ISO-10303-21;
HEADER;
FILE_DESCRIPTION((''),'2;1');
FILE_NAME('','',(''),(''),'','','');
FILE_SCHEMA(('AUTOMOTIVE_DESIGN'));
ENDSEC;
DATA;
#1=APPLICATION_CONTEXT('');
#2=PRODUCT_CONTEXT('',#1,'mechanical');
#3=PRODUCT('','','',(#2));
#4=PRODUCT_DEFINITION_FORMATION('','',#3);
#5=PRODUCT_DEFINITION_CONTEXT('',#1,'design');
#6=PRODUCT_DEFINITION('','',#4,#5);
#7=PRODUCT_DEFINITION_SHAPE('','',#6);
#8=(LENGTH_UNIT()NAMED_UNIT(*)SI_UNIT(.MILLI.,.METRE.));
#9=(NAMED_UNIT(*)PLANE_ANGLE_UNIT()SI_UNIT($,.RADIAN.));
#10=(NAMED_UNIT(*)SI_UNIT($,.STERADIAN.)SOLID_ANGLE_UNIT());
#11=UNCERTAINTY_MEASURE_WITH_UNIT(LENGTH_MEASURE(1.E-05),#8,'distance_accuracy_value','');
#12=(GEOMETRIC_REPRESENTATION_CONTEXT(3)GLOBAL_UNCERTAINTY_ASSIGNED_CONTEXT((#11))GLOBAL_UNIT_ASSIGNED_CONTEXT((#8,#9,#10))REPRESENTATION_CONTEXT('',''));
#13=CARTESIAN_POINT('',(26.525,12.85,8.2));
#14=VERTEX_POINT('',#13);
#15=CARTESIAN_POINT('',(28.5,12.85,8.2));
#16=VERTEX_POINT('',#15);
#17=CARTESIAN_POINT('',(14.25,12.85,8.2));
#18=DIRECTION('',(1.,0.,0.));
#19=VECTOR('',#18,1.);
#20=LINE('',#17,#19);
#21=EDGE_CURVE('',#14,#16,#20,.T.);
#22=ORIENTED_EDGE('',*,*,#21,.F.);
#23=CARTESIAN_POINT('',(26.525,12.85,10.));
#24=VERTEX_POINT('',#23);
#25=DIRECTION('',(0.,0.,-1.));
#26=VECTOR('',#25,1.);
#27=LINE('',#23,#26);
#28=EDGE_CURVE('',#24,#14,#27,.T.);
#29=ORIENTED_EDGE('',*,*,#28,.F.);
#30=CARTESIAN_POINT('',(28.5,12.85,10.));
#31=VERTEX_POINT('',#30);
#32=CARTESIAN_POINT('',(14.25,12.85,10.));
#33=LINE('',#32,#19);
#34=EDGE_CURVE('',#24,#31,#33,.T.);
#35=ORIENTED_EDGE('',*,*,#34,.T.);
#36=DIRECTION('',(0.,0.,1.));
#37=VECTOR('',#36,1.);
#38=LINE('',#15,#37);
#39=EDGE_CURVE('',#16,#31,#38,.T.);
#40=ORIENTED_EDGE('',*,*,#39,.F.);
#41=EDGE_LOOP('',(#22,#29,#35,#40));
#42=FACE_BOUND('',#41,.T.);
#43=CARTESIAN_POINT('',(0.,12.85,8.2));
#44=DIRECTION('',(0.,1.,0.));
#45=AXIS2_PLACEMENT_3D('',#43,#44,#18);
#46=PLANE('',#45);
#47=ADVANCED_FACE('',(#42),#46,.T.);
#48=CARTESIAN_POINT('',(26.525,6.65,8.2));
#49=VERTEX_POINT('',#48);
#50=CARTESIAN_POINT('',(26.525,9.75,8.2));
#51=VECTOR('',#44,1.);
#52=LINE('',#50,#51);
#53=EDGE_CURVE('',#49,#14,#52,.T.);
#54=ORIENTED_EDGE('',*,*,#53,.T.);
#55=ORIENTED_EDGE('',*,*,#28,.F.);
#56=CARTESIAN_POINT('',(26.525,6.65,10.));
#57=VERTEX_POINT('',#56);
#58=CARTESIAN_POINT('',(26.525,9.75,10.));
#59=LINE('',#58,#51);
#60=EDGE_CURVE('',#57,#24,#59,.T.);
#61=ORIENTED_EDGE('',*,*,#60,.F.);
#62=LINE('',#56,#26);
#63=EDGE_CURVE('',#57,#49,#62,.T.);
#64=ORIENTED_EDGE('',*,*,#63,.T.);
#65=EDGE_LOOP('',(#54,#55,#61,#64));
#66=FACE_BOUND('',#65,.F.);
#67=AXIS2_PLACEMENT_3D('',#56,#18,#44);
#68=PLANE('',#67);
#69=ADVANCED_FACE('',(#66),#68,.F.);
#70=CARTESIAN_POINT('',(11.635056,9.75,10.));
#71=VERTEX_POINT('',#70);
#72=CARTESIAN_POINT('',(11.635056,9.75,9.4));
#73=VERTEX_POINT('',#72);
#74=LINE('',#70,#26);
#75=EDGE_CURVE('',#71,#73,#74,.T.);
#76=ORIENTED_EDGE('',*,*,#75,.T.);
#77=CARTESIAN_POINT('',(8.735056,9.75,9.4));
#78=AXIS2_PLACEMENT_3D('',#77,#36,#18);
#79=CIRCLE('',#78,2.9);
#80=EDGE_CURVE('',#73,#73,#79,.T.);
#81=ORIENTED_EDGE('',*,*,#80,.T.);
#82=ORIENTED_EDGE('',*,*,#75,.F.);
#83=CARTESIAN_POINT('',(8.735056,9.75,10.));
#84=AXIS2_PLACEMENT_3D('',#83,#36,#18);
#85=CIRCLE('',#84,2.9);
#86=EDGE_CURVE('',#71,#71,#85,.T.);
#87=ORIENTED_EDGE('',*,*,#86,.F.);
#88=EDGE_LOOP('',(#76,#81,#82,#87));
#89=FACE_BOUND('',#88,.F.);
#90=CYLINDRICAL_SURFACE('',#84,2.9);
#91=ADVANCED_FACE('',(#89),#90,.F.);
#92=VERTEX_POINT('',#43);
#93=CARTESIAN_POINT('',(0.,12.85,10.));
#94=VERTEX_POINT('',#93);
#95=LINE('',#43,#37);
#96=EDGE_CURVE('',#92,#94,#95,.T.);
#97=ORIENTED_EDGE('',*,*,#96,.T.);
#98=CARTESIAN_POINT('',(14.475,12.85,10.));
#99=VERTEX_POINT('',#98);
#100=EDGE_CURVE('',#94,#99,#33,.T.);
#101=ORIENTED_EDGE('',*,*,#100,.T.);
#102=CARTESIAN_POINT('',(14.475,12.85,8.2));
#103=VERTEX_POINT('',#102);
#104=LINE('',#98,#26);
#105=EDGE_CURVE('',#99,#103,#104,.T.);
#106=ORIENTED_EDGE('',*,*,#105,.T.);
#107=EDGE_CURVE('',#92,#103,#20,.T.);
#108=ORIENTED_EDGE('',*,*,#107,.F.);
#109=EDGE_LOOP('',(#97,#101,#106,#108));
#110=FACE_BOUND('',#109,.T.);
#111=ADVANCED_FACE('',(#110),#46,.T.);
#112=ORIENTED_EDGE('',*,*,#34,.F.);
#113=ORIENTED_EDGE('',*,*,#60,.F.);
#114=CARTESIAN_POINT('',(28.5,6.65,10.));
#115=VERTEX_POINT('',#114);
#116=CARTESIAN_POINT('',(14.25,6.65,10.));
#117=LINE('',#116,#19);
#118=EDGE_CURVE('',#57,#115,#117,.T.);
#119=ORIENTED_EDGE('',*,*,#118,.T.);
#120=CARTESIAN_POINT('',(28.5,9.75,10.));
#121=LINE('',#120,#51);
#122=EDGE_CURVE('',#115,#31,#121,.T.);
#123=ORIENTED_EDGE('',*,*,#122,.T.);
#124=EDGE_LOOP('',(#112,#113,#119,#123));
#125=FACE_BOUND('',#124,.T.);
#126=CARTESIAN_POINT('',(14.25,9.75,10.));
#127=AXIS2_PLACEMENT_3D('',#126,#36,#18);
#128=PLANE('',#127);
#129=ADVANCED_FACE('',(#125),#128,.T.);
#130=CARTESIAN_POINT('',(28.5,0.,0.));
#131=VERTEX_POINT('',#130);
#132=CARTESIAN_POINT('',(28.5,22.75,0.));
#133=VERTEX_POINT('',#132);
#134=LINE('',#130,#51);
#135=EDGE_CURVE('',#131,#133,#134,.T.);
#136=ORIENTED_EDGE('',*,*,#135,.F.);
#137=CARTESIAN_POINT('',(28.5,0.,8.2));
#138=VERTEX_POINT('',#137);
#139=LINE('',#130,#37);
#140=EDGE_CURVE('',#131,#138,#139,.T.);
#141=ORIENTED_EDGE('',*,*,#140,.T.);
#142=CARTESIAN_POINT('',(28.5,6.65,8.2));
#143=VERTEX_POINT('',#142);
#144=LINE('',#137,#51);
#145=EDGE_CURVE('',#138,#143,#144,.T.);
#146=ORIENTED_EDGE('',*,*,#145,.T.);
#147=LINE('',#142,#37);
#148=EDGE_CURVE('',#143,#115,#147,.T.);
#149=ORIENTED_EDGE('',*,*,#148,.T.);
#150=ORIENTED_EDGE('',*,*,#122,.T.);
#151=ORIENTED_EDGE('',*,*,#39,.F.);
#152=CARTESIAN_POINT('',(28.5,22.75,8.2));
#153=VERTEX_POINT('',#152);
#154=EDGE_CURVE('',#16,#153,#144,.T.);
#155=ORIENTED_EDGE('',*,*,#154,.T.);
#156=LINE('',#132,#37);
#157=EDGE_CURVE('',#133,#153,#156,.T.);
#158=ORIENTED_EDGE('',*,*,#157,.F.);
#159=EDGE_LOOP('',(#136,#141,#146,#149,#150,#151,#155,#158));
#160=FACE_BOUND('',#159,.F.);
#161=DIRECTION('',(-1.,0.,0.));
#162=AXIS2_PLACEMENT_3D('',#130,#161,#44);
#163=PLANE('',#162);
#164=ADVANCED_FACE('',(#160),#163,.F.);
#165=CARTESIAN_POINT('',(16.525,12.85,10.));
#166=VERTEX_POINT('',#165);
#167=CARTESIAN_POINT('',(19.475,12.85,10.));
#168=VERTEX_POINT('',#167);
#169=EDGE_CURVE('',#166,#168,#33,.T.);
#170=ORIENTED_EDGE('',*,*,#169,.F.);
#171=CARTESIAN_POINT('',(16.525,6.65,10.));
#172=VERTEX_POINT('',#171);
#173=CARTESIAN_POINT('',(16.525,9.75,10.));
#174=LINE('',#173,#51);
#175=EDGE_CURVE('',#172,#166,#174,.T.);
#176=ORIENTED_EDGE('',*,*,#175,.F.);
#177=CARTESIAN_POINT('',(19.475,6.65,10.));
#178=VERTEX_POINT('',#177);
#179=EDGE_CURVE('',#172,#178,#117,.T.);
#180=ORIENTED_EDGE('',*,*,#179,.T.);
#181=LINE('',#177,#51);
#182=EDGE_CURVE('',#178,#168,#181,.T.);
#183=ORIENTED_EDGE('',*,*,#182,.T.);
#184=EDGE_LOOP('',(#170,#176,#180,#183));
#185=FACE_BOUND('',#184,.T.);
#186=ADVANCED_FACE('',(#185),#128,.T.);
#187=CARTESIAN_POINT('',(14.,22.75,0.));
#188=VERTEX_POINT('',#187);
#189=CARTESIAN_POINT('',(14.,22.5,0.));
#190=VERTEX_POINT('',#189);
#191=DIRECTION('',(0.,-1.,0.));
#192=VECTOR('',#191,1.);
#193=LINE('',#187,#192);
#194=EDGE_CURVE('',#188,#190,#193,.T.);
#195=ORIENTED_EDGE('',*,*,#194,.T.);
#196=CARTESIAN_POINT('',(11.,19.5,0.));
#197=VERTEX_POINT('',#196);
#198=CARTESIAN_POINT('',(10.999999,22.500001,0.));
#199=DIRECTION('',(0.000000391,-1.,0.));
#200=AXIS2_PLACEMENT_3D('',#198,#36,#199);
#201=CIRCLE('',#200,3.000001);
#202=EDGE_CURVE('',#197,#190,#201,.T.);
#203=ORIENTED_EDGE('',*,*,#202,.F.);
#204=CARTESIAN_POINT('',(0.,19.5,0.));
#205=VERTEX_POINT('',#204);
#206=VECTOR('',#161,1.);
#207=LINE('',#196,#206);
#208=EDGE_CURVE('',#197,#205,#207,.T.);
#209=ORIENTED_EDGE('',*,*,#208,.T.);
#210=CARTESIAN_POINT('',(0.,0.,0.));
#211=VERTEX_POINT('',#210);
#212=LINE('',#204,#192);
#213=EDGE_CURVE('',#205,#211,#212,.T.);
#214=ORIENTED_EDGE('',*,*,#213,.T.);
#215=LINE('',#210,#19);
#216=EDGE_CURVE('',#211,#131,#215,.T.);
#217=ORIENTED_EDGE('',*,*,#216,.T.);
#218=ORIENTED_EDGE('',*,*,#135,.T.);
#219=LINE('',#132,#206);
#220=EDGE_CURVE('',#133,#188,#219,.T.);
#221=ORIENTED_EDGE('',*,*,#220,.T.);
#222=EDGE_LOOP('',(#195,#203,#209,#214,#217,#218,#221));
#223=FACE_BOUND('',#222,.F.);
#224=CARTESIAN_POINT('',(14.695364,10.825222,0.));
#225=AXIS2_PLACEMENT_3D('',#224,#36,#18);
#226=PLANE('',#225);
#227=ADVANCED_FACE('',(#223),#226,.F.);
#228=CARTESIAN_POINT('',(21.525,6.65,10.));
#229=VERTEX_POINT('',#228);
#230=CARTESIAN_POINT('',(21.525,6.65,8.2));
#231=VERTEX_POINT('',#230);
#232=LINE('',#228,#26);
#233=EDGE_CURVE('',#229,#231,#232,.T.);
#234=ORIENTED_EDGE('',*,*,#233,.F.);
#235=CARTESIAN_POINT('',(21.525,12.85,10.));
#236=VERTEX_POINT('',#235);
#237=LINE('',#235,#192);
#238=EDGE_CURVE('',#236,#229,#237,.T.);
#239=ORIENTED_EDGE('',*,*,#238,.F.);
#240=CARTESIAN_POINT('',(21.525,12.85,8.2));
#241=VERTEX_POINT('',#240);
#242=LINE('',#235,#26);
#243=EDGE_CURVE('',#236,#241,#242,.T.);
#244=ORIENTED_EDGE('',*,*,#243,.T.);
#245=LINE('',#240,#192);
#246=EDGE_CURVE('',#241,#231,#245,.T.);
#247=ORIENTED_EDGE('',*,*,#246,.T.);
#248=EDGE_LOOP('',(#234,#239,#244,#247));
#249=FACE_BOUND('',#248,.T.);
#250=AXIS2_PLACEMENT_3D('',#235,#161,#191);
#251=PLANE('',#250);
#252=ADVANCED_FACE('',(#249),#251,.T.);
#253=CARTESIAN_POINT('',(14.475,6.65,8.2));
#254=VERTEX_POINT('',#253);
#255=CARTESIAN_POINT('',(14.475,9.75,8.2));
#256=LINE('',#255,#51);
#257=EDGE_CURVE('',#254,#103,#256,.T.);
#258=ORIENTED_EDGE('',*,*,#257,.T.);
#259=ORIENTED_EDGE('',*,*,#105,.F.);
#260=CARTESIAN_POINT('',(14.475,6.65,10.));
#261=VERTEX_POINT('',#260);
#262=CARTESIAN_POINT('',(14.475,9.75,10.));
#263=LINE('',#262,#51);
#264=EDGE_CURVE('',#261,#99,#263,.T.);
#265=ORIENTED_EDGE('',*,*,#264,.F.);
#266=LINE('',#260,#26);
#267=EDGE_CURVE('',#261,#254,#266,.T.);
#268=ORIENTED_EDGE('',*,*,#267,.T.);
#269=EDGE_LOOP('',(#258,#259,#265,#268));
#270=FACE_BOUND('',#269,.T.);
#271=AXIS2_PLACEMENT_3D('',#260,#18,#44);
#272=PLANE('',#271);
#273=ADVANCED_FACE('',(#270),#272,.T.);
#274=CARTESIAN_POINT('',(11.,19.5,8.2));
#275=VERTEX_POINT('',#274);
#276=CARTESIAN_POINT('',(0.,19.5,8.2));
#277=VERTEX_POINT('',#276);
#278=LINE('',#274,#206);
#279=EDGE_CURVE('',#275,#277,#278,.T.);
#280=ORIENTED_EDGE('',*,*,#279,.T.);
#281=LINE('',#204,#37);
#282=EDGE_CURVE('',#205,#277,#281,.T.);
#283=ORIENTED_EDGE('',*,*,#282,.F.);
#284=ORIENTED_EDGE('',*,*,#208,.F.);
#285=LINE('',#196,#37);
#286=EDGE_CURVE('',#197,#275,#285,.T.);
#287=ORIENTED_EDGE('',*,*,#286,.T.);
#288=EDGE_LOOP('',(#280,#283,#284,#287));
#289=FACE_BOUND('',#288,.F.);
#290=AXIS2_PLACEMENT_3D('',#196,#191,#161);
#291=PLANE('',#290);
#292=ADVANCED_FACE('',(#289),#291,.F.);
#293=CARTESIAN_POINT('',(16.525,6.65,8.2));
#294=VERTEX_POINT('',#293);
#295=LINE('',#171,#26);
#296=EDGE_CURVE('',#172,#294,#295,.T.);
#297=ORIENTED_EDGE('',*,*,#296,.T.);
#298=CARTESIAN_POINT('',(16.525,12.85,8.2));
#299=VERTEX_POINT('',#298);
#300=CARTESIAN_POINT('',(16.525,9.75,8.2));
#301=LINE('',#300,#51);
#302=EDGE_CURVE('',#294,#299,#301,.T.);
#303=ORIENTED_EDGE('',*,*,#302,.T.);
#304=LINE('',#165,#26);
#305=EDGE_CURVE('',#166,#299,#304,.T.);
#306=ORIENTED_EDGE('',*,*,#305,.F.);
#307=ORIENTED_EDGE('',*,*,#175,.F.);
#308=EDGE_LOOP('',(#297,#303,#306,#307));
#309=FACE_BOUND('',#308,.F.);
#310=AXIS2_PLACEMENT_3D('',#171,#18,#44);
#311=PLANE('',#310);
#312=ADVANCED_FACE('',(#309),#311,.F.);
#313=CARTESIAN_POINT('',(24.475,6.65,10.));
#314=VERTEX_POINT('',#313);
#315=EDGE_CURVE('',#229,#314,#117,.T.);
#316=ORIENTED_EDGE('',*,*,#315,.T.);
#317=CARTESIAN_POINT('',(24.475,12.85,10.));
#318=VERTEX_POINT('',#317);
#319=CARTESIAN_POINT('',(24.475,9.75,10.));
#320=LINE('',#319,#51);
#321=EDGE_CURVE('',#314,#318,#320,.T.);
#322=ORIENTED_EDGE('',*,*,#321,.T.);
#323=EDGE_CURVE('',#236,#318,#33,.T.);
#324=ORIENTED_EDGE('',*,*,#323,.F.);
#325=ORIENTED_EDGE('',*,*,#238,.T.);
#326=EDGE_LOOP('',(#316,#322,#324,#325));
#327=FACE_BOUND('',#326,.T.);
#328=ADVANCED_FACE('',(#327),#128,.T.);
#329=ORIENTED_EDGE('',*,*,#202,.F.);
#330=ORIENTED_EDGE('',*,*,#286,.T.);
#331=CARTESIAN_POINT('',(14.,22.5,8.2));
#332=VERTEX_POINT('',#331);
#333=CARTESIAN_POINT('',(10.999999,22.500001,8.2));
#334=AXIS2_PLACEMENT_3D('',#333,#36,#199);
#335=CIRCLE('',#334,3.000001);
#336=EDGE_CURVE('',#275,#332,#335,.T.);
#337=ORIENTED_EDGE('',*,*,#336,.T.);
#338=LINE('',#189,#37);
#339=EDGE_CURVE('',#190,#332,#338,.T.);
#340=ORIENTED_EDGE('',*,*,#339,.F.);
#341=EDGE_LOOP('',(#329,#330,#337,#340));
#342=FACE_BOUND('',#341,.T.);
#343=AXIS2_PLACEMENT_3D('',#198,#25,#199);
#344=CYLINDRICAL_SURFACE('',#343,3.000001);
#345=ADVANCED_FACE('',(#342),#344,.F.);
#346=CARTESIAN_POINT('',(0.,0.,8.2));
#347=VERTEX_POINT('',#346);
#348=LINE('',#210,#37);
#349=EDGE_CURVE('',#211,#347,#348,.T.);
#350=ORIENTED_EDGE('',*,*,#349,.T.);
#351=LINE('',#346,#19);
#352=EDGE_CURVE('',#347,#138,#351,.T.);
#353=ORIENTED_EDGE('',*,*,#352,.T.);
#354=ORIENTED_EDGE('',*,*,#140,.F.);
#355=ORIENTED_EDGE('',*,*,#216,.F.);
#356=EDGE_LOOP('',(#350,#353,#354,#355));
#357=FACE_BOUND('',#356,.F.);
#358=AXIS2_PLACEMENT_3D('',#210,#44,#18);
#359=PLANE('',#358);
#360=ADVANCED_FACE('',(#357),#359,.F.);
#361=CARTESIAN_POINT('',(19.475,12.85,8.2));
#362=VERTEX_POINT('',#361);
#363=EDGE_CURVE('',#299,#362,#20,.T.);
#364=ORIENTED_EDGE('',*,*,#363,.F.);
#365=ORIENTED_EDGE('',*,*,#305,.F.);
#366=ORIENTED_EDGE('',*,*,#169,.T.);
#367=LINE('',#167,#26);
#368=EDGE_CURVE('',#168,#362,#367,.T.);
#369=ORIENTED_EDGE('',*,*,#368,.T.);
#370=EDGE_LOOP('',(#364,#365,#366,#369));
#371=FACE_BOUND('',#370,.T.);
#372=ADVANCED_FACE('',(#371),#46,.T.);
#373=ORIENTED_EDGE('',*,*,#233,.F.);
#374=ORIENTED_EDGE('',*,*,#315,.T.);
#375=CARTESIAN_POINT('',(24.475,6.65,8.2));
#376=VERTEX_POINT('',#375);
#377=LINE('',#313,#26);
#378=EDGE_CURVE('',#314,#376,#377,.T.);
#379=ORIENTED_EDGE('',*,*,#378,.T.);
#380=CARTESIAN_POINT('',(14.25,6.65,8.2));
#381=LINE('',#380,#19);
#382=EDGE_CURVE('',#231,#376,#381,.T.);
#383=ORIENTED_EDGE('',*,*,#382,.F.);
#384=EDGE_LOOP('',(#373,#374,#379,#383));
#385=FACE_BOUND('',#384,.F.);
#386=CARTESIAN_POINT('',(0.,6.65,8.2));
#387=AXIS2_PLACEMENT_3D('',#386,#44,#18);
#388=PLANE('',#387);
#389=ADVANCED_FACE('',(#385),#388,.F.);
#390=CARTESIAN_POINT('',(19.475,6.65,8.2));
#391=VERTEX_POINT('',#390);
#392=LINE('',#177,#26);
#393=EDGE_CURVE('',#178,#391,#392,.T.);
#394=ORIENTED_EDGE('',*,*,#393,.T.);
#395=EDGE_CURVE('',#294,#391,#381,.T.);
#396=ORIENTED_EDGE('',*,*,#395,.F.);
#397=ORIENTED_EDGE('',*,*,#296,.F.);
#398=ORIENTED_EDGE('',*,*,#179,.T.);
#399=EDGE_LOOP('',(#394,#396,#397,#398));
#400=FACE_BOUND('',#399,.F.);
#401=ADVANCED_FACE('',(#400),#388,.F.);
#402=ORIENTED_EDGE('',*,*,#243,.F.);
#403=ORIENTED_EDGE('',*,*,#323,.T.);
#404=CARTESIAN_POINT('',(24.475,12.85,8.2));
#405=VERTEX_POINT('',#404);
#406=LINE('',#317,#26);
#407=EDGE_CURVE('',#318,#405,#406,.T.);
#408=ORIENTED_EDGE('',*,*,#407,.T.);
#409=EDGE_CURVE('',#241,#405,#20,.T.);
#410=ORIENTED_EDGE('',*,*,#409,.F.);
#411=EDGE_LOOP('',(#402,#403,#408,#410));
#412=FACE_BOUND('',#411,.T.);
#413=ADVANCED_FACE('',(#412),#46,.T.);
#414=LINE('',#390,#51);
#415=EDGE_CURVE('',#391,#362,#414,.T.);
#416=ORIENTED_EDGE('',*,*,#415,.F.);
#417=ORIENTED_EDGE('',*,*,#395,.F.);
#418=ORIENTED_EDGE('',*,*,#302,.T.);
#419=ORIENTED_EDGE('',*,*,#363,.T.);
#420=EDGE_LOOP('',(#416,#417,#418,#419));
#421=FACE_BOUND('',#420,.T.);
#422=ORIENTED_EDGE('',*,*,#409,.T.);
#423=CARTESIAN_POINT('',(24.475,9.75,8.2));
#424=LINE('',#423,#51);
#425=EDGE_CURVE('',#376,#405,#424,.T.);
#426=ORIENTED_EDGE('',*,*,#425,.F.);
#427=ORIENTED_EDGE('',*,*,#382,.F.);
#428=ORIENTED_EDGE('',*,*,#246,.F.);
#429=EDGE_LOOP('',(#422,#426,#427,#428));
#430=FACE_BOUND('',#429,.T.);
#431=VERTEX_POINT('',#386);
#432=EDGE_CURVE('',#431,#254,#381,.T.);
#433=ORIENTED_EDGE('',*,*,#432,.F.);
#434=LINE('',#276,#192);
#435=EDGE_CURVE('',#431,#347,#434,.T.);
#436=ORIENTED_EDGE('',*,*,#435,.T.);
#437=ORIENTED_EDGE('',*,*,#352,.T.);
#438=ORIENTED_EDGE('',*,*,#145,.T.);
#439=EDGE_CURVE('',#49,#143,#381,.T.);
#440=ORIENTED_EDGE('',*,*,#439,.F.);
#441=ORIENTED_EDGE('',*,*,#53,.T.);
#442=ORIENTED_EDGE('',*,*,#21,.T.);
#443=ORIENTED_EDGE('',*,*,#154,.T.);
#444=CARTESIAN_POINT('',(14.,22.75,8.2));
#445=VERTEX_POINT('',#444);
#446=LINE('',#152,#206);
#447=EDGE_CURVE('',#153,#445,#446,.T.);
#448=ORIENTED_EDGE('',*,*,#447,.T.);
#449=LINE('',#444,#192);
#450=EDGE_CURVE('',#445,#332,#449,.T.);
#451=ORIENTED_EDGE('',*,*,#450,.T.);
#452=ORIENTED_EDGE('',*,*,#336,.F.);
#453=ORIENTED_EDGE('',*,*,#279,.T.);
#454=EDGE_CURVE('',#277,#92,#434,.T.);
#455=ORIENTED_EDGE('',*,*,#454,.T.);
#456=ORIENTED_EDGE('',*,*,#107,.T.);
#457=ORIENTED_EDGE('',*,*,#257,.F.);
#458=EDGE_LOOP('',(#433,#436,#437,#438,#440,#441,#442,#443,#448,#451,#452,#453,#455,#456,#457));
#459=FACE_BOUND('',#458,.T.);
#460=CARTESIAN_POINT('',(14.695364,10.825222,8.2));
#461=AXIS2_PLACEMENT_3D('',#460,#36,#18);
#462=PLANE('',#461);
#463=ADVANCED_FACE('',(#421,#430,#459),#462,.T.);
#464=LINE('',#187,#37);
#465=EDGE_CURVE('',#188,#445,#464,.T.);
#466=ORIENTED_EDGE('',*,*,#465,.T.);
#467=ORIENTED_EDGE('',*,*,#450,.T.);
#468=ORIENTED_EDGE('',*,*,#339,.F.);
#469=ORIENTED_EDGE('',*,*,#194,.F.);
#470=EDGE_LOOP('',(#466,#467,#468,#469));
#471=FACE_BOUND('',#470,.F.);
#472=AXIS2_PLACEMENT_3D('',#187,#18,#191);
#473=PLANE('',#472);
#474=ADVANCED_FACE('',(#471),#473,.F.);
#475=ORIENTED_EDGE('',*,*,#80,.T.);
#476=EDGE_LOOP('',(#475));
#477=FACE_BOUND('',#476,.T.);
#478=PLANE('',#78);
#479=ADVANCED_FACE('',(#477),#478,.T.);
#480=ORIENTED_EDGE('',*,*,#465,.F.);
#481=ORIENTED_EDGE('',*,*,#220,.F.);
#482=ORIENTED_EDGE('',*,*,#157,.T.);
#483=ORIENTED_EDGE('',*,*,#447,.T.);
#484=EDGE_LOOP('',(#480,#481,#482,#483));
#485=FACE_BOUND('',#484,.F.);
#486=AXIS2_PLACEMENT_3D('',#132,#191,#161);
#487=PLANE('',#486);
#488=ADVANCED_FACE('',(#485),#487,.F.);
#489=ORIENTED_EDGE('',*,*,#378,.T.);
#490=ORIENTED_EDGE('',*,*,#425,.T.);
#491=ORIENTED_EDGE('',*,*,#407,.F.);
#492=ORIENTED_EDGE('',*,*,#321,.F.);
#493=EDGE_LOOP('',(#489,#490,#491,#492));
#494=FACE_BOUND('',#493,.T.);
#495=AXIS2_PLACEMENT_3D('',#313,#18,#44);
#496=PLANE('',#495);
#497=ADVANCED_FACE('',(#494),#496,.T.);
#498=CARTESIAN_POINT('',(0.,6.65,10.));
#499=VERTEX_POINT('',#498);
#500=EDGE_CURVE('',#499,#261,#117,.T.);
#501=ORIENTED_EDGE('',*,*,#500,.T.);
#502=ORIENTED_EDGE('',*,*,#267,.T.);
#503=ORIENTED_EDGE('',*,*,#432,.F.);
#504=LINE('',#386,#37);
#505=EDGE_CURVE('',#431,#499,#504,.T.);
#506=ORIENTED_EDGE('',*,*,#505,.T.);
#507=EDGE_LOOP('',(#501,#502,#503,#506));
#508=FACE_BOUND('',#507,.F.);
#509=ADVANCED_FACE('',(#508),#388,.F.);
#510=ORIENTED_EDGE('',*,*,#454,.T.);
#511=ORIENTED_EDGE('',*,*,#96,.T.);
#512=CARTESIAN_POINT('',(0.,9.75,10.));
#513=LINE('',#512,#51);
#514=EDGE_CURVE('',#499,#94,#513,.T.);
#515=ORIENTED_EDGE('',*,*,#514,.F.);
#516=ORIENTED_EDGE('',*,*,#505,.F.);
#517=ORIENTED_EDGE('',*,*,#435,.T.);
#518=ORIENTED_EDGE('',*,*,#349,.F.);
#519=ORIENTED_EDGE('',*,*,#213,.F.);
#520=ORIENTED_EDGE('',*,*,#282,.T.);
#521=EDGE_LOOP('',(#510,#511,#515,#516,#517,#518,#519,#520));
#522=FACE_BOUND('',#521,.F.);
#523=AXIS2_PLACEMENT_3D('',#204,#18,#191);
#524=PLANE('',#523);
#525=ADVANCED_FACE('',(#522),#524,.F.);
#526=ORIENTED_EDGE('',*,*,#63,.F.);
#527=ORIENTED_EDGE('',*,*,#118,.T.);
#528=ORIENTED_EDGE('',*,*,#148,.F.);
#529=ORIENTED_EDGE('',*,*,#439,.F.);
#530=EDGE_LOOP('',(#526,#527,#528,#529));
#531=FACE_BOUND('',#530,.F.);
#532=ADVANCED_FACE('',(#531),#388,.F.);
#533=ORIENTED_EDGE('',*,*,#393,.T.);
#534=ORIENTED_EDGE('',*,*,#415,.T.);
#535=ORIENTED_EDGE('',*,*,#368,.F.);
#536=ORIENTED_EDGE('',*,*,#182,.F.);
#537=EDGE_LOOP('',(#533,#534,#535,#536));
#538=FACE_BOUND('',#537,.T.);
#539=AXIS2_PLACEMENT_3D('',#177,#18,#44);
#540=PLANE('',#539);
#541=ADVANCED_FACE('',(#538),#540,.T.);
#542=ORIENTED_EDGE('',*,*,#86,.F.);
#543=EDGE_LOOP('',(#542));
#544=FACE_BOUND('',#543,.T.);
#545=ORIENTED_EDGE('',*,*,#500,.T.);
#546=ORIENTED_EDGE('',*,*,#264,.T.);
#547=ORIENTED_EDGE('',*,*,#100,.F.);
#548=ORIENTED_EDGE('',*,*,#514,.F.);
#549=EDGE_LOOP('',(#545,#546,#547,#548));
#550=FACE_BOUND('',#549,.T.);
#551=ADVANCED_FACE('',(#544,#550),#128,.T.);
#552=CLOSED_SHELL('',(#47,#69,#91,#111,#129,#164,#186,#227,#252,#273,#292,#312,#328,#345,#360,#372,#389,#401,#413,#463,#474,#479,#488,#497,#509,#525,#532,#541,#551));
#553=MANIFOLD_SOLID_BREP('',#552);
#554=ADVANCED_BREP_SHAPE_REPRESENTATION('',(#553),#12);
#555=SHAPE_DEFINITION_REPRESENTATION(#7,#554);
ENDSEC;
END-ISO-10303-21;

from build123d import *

# Parameters (mm, degrees)
PAD004_DEPTH    = 8.2
SKETCH014_W     = 28.5
SKETCH014_H     = 6.2
PAD005_DEPTH    = 1.8
SKETCH015_R     = 2.9
POCKET004_DEPTH = 0.6
SKETCH016_W     = 2.05
SKETCH016_H     = 6.2
POCKET005_DEPTH = 1.8


with BuildPart() as part:
    # Sketch013 → Pad004 (new body)
    with BuildSketch(Plane.XY):
        with BuildLine():
            Line((0, 0), (28.5, 0))
            Line((28.5, 0), (28.5, 22.75))
            Line((28.5, 22.75), (14, 22.75))
            Line((14, 22.75), (14, 22.5))
            ThreePointArc((11, 19.5), (13.12132, 20.37868), (14, 22.5))
            Line((11, 19.5), (0, 19.5))
            Line((0, 19.5), (0, 0))
        make_face()
    extrude(amount=PAD004_DEPTH)

    # Sketch014 (on Face9 of Pad004) → Pad005 (join)
    with BuildSketch(Plane.XY.offset(8.2)):
        with Locations((14.25, 9.75)):
            Rectangle(SKETCH014_W, SKETCH014_H)
    extrude(amount=PAD005_DEPTH)

    # Sketch015 (on Face11 of Pad005) → Pocket004 (cut)
    with BuildSketch(Plane.XY.offset(10)):
        with Locations((8.735056, 9.75)):
            Circle(SKETCH015_R)
    extrude(amount=-POCKET004_DEPTH, mode=Mode.SUBTRACT)

    # Sketch016 (on Face10 of Pocket004) → Pocket005 (cut)
    with BuildSketch(Plane.XY.offset(10)):
        with Locations((15.5, 9.75)):
            Rectangle(SKETCH016_W, SKETCH016_H)
        Polygon((21.525, 12.85), (21.525, 6.65), (19.475, 6.65), (19.475, 12.85), (20.5, 12.85), align=None)
        with Locations((25.5, 9.75)):
            Rectangle(SKETCH016_W, SKETCH016_H)
    extrude(amount=-POCKET005_DEPTH, mode=Mode.SUBTRACT)


solid = part.part
